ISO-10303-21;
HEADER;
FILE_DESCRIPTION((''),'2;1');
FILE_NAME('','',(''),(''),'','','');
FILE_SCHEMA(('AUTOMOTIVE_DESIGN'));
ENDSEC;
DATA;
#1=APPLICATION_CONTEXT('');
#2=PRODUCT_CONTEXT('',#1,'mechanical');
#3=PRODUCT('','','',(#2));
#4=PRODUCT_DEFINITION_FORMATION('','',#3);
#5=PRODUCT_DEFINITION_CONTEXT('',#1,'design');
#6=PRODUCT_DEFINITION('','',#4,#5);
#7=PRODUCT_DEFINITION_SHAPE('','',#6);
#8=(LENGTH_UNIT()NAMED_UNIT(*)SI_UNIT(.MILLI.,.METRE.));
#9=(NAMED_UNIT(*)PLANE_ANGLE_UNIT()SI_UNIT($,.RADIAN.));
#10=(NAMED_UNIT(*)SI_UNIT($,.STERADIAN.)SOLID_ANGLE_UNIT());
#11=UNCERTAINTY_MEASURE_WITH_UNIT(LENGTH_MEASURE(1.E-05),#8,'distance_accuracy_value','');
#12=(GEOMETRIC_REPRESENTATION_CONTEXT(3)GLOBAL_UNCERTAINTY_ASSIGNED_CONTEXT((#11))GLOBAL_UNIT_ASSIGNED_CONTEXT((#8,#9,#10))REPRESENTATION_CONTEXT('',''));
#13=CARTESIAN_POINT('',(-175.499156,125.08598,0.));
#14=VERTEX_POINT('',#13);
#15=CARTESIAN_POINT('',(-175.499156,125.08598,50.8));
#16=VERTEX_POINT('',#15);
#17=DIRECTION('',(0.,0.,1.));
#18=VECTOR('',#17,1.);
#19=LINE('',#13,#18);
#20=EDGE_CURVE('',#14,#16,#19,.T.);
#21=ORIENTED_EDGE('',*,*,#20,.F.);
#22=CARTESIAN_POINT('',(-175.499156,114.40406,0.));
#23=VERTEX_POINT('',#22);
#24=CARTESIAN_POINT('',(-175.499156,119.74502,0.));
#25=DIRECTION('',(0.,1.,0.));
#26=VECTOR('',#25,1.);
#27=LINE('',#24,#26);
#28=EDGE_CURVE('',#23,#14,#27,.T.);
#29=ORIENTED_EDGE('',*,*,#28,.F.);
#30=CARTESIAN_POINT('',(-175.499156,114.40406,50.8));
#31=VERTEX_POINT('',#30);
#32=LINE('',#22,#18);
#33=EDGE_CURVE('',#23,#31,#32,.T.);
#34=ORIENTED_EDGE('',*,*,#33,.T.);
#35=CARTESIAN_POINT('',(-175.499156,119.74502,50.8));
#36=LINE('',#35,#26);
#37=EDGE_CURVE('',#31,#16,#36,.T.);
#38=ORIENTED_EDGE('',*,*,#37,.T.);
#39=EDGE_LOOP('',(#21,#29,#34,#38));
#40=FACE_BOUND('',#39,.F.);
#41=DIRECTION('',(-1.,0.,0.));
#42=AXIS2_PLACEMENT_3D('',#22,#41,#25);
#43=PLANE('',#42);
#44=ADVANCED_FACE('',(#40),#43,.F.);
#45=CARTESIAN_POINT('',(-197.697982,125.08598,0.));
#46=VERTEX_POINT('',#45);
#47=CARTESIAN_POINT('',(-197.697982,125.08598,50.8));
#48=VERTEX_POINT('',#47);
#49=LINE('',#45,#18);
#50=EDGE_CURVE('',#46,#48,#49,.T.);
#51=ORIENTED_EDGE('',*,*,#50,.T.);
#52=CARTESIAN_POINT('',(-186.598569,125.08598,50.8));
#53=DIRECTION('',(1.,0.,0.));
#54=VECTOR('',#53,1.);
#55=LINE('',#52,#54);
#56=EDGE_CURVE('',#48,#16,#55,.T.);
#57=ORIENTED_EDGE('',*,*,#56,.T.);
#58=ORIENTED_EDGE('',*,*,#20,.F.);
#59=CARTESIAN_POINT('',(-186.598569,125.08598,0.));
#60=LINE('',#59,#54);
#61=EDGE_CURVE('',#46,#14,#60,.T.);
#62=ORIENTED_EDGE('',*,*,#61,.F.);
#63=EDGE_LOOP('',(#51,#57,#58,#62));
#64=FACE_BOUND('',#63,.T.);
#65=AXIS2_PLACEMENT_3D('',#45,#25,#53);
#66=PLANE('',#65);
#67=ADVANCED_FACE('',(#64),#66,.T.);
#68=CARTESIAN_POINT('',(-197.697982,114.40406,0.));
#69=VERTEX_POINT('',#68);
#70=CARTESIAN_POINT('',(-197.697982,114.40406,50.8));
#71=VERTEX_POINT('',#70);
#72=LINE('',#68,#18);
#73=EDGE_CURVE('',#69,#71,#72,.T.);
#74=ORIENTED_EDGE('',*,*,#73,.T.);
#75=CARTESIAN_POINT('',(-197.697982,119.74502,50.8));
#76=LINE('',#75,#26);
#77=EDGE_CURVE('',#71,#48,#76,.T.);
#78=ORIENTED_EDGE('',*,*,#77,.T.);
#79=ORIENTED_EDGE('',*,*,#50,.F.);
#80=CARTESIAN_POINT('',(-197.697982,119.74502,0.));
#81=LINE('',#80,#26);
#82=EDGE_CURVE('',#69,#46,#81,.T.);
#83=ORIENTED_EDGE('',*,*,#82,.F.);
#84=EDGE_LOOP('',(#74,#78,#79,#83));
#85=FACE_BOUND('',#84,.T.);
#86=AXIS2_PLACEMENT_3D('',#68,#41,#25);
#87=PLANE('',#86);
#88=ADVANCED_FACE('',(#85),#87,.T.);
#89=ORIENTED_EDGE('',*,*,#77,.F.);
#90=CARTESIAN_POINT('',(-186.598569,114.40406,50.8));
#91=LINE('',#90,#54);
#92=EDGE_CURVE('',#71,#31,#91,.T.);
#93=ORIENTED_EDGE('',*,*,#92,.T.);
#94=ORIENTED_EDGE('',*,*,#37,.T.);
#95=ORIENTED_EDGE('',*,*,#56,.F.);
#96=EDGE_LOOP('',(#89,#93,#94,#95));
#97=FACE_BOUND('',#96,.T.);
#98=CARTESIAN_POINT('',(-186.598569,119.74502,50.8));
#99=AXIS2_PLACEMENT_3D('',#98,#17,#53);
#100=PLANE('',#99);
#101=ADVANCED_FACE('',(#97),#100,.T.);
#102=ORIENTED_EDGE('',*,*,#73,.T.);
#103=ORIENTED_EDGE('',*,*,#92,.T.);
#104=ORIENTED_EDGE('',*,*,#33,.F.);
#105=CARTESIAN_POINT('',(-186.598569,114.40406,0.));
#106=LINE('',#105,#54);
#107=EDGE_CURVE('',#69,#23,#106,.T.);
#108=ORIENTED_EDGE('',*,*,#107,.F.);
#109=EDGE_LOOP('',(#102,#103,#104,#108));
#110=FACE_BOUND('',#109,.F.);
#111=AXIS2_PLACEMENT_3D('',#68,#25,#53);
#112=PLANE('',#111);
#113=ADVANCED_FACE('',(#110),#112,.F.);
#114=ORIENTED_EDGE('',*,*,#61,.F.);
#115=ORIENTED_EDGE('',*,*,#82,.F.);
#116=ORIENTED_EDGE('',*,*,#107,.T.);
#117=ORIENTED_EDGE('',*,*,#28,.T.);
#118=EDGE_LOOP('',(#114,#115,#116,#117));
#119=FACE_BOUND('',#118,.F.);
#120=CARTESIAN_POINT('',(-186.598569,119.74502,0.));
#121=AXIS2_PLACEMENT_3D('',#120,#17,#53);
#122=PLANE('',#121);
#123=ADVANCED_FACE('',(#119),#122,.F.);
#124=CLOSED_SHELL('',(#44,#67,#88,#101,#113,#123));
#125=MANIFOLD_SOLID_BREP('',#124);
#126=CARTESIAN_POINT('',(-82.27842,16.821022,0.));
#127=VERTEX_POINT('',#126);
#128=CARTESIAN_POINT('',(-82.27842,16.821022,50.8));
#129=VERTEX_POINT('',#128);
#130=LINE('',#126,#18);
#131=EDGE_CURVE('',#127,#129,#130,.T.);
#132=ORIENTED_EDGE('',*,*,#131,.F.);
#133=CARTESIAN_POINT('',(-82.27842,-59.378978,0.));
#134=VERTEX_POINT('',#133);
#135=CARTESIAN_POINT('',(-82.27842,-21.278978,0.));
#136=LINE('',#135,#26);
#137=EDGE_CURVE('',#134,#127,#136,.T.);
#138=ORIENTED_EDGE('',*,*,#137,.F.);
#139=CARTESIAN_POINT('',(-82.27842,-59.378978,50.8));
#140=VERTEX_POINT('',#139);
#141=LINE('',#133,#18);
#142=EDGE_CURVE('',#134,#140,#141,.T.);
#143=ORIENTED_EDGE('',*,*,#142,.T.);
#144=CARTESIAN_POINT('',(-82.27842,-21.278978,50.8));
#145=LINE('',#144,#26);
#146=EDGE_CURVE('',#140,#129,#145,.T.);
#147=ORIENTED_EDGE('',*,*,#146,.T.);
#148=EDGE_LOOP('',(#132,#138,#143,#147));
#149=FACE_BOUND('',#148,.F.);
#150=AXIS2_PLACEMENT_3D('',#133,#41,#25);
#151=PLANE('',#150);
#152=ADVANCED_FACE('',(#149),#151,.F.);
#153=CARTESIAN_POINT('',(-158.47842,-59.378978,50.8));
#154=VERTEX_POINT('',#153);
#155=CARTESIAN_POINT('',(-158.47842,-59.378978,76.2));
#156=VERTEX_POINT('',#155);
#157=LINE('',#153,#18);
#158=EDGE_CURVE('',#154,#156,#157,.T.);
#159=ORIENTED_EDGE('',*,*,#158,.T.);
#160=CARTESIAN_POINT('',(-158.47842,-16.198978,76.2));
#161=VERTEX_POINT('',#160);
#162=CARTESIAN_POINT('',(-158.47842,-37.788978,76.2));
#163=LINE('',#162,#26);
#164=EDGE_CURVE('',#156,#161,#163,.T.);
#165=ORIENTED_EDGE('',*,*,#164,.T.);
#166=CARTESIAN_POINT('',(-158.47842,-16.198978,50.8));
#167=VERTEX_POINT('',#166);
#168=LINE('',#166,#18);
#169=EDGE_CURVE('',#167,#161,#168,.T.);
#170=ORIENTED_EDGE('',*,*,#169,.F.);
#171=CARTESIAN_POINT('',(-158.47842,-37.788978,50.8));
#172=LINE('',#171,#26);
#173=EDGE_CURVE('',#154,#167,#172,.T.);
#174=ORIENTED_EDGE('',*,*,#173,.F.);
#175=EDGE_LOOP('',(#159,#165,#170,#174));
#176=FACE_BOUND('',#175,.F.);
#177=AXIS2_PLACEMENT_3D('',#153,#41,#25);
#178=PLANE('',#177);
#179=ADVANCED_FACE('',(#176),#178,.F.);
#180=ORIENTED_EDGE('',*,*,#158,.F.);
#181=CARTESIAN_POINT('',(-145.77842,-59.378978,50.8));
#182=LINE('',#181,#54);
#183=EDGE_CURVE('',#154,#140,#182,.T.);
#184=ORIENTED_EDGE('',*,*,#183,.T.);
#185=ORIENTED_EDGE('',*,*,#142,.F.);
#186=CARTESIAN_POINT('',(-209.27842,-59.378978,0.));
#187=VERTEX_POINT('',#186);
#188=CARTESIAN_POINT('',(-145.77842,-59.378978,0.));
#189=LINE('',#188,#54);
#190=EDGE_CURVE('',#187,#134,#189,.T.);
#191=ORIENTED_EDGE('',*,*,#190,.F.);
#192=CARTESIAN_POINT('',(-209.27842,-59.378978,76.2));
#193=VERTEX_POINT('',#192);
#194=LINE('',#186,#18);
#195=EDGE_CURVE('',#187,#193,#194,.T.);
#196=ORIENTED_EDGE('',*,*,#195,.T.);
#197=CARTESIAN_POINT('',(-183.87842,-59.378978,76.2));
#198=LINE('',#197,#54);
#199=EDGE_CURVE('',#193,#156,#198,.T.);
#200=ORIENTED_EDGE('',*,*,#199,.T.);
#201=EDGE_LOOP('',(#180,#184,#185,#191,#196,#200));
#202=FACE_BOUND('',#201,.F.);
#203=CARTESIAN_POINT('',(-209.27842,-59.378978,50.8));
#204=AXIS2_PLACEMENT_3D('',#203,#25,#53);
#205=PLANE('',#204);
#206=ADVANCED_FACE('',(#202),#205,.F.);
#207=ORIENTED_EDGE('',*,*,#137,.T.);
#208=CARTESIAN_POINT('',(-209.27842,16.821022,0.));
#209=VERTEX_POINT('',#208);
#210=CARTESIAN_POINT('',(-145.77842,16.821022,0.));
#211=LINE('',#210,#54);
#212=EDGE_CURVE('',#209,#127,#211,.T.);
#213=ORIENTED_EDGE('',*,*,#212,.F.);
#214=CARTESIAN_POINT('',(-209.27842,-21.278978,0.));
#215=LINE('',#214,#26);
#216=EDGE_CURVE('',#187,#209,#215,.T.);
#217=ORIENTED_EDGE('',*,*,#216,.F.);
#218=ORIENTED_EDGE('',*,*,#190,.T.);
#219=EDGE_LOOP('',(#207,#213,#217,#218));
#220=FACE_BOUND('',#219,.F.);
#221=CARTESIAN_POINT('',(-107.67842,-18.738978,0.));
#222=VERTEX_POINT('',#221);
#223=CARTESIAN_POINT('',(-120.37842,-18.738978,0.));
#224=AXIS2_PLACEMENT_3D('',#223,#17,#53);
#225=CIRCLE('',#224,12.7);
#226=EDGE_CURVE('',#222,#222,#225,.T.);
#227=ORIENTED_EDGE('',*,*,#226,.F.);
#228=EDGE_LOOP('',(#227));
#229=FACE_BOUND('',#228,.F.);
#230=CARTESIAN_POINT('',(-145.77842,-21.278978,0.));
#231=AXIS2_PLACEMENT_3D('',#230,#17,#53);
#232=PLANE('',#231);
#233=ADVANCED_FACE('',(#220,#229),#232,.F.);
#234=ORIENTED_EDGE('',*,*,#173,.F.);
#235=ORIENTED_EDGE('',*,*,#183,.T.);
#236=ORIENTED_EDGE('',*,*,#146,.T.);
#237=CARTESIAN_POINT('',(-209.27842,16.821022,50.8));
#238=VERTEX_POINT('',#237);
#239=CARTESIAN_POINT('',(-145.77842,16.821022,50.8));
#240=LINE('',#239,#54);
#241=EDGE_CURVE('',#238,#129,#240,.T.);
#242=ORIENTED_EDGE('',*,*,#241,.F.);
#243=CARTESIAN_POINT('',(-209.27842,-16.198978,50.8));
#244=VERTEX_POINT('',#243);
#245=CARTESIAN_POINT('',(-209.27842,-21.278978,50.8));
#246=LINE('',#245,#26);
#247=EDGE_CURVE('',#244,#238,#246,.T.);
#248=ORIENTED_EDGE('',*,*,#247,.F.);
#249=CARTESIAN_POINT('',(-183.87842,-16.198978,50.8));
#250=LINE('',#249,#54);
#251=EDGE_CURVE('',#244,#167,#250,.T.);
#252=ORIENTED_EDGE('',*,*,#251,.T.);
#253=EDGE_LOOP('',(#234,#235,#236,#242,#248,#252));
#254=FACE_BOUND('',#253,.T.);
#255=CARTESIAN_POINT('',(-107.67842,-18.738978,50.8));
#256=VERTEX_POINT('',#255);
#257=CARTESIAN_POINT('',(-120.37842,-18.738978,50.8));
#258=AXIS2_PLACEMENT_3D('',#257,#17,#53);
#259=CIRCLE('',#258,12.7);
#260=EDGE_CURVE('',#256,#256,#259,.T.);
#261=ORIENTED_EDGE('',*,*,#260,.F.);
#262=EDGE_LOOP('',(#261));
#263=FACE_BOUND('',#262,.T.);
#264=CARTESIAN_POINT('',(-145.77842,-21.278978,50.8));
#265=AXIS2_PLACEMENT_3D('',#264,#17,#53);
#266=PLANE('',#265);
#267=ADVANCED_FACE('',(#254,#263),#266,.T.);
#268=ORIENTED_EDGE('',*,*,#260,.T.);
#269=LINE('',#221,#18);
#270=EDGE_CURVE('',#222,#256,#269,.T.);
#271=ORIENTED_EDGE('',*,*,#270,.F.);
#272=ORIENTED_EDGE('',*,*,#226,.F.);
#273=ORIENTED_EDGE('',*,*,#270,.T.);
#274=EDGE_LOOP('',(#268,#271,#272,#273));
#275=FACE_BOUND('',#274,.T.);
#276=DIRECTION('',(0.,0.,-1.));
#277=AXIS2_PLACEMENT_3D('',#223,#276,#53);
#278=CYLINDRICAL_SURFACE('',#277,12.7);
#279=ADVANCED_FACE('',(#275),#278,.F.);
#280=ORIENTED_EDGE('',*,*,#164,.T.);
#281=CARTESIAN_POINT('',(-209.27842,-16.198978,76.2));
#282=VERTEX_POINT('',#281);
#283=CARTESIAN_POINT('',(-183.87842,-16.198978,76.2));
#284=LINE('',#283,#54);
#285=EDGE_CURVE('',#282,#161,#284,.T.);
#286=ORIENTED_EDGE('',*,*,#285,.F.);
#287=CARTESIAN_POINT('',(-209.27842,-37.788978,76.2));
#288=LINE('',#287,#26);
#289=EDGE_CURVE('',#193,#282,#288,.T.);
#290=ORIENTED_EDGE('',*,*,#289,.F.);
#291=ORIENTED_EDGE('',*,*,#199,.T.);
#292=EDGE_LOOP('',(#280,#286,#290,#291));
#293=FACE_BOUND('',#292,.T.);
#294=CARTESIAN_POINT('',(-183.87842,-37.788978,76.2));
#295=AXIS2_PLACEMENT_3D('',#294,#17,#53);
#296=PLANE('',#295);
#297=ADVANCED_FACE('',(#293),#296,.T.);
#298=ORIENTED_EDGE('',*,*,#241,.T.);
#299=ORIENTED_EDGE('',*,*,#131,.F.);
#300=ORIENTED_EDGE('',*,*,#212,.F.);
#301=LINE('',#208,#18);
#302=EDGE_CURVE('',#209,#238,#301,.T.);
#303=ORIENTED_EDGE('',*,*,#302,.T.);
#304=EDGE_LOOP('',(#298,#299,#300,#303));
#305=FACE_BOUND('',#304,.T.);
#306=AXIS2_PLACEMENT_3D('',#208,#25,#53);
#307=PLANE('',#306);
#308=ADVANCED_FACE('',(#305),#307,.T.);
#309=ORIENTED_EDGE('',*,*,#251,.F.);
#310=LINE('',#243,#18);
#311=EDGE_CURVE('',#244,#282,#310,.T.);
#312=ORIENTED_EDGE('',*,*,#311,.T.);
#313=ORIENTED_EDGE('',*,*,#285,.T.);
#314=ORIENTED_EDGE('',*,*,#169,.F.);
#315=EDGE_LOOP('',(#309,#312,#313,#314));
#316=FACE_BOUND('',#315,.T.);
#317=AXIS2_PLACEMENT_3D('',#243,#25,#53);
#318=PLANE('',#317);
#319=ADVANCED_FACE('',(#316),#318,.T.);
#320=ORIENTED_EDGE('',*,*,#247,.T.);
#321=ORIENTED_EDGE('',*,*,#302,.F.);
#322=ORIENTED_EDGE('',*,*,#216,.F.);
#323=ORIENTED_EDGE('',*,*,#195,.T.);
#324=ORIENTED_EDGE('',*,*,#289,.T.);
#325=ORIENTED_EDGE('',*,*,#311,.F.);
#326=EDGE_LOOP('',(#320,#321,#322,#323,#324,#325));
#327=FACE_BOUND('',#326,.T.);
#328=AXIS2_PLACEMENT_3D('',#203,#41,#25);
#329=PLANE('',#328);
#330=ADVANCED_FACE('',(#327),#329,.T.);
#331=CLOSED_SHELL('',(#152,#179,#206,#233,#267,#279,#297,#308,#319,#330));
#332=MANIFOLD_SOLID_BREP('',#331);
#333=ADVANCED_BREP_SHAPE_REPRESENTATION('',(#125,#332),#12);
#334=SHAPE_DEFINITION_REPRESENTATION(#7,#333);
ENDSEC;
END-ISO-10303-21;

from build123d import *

# Parameters (mm, degrees)
F0_W     = 127
F0_H     = 76.2
F0_R     = 12.7
F0_W_2   = 22.198826
F0_H_2   = 10.68192
F1_DEPTH = 50.8
F2_W     = 50.8
F2_H     = 43.18
F3_DEPTH = 25.4


with BuildPart() as f1:
    # F0 (on Top) → F1 (new body)
    with BuildSketch(Plane.XY):
        with Locations((-145.77842, -21.278978)):
            Rectangle(F0_W, F0_H)
        with Locations((-120.37842, -18.738978)):
            Circle(F0_R, mode=Mode.SUBTRACT)
        with Locations((-186.598569, 119.74502)):
            Rectangle(F0_W_2, F0_H_2)
    extrude(amount=F1_DEPTH)

    # F2 (on face) → F3 (join)
    with BuildSketch(Plane.XY.offset(50.8)):
        with Locations((-183.87842, -37.788978)):
            Rectangle(F2_W, F2_H)
    extrude(amount=F3_DEPTH)


solid = f1.part
